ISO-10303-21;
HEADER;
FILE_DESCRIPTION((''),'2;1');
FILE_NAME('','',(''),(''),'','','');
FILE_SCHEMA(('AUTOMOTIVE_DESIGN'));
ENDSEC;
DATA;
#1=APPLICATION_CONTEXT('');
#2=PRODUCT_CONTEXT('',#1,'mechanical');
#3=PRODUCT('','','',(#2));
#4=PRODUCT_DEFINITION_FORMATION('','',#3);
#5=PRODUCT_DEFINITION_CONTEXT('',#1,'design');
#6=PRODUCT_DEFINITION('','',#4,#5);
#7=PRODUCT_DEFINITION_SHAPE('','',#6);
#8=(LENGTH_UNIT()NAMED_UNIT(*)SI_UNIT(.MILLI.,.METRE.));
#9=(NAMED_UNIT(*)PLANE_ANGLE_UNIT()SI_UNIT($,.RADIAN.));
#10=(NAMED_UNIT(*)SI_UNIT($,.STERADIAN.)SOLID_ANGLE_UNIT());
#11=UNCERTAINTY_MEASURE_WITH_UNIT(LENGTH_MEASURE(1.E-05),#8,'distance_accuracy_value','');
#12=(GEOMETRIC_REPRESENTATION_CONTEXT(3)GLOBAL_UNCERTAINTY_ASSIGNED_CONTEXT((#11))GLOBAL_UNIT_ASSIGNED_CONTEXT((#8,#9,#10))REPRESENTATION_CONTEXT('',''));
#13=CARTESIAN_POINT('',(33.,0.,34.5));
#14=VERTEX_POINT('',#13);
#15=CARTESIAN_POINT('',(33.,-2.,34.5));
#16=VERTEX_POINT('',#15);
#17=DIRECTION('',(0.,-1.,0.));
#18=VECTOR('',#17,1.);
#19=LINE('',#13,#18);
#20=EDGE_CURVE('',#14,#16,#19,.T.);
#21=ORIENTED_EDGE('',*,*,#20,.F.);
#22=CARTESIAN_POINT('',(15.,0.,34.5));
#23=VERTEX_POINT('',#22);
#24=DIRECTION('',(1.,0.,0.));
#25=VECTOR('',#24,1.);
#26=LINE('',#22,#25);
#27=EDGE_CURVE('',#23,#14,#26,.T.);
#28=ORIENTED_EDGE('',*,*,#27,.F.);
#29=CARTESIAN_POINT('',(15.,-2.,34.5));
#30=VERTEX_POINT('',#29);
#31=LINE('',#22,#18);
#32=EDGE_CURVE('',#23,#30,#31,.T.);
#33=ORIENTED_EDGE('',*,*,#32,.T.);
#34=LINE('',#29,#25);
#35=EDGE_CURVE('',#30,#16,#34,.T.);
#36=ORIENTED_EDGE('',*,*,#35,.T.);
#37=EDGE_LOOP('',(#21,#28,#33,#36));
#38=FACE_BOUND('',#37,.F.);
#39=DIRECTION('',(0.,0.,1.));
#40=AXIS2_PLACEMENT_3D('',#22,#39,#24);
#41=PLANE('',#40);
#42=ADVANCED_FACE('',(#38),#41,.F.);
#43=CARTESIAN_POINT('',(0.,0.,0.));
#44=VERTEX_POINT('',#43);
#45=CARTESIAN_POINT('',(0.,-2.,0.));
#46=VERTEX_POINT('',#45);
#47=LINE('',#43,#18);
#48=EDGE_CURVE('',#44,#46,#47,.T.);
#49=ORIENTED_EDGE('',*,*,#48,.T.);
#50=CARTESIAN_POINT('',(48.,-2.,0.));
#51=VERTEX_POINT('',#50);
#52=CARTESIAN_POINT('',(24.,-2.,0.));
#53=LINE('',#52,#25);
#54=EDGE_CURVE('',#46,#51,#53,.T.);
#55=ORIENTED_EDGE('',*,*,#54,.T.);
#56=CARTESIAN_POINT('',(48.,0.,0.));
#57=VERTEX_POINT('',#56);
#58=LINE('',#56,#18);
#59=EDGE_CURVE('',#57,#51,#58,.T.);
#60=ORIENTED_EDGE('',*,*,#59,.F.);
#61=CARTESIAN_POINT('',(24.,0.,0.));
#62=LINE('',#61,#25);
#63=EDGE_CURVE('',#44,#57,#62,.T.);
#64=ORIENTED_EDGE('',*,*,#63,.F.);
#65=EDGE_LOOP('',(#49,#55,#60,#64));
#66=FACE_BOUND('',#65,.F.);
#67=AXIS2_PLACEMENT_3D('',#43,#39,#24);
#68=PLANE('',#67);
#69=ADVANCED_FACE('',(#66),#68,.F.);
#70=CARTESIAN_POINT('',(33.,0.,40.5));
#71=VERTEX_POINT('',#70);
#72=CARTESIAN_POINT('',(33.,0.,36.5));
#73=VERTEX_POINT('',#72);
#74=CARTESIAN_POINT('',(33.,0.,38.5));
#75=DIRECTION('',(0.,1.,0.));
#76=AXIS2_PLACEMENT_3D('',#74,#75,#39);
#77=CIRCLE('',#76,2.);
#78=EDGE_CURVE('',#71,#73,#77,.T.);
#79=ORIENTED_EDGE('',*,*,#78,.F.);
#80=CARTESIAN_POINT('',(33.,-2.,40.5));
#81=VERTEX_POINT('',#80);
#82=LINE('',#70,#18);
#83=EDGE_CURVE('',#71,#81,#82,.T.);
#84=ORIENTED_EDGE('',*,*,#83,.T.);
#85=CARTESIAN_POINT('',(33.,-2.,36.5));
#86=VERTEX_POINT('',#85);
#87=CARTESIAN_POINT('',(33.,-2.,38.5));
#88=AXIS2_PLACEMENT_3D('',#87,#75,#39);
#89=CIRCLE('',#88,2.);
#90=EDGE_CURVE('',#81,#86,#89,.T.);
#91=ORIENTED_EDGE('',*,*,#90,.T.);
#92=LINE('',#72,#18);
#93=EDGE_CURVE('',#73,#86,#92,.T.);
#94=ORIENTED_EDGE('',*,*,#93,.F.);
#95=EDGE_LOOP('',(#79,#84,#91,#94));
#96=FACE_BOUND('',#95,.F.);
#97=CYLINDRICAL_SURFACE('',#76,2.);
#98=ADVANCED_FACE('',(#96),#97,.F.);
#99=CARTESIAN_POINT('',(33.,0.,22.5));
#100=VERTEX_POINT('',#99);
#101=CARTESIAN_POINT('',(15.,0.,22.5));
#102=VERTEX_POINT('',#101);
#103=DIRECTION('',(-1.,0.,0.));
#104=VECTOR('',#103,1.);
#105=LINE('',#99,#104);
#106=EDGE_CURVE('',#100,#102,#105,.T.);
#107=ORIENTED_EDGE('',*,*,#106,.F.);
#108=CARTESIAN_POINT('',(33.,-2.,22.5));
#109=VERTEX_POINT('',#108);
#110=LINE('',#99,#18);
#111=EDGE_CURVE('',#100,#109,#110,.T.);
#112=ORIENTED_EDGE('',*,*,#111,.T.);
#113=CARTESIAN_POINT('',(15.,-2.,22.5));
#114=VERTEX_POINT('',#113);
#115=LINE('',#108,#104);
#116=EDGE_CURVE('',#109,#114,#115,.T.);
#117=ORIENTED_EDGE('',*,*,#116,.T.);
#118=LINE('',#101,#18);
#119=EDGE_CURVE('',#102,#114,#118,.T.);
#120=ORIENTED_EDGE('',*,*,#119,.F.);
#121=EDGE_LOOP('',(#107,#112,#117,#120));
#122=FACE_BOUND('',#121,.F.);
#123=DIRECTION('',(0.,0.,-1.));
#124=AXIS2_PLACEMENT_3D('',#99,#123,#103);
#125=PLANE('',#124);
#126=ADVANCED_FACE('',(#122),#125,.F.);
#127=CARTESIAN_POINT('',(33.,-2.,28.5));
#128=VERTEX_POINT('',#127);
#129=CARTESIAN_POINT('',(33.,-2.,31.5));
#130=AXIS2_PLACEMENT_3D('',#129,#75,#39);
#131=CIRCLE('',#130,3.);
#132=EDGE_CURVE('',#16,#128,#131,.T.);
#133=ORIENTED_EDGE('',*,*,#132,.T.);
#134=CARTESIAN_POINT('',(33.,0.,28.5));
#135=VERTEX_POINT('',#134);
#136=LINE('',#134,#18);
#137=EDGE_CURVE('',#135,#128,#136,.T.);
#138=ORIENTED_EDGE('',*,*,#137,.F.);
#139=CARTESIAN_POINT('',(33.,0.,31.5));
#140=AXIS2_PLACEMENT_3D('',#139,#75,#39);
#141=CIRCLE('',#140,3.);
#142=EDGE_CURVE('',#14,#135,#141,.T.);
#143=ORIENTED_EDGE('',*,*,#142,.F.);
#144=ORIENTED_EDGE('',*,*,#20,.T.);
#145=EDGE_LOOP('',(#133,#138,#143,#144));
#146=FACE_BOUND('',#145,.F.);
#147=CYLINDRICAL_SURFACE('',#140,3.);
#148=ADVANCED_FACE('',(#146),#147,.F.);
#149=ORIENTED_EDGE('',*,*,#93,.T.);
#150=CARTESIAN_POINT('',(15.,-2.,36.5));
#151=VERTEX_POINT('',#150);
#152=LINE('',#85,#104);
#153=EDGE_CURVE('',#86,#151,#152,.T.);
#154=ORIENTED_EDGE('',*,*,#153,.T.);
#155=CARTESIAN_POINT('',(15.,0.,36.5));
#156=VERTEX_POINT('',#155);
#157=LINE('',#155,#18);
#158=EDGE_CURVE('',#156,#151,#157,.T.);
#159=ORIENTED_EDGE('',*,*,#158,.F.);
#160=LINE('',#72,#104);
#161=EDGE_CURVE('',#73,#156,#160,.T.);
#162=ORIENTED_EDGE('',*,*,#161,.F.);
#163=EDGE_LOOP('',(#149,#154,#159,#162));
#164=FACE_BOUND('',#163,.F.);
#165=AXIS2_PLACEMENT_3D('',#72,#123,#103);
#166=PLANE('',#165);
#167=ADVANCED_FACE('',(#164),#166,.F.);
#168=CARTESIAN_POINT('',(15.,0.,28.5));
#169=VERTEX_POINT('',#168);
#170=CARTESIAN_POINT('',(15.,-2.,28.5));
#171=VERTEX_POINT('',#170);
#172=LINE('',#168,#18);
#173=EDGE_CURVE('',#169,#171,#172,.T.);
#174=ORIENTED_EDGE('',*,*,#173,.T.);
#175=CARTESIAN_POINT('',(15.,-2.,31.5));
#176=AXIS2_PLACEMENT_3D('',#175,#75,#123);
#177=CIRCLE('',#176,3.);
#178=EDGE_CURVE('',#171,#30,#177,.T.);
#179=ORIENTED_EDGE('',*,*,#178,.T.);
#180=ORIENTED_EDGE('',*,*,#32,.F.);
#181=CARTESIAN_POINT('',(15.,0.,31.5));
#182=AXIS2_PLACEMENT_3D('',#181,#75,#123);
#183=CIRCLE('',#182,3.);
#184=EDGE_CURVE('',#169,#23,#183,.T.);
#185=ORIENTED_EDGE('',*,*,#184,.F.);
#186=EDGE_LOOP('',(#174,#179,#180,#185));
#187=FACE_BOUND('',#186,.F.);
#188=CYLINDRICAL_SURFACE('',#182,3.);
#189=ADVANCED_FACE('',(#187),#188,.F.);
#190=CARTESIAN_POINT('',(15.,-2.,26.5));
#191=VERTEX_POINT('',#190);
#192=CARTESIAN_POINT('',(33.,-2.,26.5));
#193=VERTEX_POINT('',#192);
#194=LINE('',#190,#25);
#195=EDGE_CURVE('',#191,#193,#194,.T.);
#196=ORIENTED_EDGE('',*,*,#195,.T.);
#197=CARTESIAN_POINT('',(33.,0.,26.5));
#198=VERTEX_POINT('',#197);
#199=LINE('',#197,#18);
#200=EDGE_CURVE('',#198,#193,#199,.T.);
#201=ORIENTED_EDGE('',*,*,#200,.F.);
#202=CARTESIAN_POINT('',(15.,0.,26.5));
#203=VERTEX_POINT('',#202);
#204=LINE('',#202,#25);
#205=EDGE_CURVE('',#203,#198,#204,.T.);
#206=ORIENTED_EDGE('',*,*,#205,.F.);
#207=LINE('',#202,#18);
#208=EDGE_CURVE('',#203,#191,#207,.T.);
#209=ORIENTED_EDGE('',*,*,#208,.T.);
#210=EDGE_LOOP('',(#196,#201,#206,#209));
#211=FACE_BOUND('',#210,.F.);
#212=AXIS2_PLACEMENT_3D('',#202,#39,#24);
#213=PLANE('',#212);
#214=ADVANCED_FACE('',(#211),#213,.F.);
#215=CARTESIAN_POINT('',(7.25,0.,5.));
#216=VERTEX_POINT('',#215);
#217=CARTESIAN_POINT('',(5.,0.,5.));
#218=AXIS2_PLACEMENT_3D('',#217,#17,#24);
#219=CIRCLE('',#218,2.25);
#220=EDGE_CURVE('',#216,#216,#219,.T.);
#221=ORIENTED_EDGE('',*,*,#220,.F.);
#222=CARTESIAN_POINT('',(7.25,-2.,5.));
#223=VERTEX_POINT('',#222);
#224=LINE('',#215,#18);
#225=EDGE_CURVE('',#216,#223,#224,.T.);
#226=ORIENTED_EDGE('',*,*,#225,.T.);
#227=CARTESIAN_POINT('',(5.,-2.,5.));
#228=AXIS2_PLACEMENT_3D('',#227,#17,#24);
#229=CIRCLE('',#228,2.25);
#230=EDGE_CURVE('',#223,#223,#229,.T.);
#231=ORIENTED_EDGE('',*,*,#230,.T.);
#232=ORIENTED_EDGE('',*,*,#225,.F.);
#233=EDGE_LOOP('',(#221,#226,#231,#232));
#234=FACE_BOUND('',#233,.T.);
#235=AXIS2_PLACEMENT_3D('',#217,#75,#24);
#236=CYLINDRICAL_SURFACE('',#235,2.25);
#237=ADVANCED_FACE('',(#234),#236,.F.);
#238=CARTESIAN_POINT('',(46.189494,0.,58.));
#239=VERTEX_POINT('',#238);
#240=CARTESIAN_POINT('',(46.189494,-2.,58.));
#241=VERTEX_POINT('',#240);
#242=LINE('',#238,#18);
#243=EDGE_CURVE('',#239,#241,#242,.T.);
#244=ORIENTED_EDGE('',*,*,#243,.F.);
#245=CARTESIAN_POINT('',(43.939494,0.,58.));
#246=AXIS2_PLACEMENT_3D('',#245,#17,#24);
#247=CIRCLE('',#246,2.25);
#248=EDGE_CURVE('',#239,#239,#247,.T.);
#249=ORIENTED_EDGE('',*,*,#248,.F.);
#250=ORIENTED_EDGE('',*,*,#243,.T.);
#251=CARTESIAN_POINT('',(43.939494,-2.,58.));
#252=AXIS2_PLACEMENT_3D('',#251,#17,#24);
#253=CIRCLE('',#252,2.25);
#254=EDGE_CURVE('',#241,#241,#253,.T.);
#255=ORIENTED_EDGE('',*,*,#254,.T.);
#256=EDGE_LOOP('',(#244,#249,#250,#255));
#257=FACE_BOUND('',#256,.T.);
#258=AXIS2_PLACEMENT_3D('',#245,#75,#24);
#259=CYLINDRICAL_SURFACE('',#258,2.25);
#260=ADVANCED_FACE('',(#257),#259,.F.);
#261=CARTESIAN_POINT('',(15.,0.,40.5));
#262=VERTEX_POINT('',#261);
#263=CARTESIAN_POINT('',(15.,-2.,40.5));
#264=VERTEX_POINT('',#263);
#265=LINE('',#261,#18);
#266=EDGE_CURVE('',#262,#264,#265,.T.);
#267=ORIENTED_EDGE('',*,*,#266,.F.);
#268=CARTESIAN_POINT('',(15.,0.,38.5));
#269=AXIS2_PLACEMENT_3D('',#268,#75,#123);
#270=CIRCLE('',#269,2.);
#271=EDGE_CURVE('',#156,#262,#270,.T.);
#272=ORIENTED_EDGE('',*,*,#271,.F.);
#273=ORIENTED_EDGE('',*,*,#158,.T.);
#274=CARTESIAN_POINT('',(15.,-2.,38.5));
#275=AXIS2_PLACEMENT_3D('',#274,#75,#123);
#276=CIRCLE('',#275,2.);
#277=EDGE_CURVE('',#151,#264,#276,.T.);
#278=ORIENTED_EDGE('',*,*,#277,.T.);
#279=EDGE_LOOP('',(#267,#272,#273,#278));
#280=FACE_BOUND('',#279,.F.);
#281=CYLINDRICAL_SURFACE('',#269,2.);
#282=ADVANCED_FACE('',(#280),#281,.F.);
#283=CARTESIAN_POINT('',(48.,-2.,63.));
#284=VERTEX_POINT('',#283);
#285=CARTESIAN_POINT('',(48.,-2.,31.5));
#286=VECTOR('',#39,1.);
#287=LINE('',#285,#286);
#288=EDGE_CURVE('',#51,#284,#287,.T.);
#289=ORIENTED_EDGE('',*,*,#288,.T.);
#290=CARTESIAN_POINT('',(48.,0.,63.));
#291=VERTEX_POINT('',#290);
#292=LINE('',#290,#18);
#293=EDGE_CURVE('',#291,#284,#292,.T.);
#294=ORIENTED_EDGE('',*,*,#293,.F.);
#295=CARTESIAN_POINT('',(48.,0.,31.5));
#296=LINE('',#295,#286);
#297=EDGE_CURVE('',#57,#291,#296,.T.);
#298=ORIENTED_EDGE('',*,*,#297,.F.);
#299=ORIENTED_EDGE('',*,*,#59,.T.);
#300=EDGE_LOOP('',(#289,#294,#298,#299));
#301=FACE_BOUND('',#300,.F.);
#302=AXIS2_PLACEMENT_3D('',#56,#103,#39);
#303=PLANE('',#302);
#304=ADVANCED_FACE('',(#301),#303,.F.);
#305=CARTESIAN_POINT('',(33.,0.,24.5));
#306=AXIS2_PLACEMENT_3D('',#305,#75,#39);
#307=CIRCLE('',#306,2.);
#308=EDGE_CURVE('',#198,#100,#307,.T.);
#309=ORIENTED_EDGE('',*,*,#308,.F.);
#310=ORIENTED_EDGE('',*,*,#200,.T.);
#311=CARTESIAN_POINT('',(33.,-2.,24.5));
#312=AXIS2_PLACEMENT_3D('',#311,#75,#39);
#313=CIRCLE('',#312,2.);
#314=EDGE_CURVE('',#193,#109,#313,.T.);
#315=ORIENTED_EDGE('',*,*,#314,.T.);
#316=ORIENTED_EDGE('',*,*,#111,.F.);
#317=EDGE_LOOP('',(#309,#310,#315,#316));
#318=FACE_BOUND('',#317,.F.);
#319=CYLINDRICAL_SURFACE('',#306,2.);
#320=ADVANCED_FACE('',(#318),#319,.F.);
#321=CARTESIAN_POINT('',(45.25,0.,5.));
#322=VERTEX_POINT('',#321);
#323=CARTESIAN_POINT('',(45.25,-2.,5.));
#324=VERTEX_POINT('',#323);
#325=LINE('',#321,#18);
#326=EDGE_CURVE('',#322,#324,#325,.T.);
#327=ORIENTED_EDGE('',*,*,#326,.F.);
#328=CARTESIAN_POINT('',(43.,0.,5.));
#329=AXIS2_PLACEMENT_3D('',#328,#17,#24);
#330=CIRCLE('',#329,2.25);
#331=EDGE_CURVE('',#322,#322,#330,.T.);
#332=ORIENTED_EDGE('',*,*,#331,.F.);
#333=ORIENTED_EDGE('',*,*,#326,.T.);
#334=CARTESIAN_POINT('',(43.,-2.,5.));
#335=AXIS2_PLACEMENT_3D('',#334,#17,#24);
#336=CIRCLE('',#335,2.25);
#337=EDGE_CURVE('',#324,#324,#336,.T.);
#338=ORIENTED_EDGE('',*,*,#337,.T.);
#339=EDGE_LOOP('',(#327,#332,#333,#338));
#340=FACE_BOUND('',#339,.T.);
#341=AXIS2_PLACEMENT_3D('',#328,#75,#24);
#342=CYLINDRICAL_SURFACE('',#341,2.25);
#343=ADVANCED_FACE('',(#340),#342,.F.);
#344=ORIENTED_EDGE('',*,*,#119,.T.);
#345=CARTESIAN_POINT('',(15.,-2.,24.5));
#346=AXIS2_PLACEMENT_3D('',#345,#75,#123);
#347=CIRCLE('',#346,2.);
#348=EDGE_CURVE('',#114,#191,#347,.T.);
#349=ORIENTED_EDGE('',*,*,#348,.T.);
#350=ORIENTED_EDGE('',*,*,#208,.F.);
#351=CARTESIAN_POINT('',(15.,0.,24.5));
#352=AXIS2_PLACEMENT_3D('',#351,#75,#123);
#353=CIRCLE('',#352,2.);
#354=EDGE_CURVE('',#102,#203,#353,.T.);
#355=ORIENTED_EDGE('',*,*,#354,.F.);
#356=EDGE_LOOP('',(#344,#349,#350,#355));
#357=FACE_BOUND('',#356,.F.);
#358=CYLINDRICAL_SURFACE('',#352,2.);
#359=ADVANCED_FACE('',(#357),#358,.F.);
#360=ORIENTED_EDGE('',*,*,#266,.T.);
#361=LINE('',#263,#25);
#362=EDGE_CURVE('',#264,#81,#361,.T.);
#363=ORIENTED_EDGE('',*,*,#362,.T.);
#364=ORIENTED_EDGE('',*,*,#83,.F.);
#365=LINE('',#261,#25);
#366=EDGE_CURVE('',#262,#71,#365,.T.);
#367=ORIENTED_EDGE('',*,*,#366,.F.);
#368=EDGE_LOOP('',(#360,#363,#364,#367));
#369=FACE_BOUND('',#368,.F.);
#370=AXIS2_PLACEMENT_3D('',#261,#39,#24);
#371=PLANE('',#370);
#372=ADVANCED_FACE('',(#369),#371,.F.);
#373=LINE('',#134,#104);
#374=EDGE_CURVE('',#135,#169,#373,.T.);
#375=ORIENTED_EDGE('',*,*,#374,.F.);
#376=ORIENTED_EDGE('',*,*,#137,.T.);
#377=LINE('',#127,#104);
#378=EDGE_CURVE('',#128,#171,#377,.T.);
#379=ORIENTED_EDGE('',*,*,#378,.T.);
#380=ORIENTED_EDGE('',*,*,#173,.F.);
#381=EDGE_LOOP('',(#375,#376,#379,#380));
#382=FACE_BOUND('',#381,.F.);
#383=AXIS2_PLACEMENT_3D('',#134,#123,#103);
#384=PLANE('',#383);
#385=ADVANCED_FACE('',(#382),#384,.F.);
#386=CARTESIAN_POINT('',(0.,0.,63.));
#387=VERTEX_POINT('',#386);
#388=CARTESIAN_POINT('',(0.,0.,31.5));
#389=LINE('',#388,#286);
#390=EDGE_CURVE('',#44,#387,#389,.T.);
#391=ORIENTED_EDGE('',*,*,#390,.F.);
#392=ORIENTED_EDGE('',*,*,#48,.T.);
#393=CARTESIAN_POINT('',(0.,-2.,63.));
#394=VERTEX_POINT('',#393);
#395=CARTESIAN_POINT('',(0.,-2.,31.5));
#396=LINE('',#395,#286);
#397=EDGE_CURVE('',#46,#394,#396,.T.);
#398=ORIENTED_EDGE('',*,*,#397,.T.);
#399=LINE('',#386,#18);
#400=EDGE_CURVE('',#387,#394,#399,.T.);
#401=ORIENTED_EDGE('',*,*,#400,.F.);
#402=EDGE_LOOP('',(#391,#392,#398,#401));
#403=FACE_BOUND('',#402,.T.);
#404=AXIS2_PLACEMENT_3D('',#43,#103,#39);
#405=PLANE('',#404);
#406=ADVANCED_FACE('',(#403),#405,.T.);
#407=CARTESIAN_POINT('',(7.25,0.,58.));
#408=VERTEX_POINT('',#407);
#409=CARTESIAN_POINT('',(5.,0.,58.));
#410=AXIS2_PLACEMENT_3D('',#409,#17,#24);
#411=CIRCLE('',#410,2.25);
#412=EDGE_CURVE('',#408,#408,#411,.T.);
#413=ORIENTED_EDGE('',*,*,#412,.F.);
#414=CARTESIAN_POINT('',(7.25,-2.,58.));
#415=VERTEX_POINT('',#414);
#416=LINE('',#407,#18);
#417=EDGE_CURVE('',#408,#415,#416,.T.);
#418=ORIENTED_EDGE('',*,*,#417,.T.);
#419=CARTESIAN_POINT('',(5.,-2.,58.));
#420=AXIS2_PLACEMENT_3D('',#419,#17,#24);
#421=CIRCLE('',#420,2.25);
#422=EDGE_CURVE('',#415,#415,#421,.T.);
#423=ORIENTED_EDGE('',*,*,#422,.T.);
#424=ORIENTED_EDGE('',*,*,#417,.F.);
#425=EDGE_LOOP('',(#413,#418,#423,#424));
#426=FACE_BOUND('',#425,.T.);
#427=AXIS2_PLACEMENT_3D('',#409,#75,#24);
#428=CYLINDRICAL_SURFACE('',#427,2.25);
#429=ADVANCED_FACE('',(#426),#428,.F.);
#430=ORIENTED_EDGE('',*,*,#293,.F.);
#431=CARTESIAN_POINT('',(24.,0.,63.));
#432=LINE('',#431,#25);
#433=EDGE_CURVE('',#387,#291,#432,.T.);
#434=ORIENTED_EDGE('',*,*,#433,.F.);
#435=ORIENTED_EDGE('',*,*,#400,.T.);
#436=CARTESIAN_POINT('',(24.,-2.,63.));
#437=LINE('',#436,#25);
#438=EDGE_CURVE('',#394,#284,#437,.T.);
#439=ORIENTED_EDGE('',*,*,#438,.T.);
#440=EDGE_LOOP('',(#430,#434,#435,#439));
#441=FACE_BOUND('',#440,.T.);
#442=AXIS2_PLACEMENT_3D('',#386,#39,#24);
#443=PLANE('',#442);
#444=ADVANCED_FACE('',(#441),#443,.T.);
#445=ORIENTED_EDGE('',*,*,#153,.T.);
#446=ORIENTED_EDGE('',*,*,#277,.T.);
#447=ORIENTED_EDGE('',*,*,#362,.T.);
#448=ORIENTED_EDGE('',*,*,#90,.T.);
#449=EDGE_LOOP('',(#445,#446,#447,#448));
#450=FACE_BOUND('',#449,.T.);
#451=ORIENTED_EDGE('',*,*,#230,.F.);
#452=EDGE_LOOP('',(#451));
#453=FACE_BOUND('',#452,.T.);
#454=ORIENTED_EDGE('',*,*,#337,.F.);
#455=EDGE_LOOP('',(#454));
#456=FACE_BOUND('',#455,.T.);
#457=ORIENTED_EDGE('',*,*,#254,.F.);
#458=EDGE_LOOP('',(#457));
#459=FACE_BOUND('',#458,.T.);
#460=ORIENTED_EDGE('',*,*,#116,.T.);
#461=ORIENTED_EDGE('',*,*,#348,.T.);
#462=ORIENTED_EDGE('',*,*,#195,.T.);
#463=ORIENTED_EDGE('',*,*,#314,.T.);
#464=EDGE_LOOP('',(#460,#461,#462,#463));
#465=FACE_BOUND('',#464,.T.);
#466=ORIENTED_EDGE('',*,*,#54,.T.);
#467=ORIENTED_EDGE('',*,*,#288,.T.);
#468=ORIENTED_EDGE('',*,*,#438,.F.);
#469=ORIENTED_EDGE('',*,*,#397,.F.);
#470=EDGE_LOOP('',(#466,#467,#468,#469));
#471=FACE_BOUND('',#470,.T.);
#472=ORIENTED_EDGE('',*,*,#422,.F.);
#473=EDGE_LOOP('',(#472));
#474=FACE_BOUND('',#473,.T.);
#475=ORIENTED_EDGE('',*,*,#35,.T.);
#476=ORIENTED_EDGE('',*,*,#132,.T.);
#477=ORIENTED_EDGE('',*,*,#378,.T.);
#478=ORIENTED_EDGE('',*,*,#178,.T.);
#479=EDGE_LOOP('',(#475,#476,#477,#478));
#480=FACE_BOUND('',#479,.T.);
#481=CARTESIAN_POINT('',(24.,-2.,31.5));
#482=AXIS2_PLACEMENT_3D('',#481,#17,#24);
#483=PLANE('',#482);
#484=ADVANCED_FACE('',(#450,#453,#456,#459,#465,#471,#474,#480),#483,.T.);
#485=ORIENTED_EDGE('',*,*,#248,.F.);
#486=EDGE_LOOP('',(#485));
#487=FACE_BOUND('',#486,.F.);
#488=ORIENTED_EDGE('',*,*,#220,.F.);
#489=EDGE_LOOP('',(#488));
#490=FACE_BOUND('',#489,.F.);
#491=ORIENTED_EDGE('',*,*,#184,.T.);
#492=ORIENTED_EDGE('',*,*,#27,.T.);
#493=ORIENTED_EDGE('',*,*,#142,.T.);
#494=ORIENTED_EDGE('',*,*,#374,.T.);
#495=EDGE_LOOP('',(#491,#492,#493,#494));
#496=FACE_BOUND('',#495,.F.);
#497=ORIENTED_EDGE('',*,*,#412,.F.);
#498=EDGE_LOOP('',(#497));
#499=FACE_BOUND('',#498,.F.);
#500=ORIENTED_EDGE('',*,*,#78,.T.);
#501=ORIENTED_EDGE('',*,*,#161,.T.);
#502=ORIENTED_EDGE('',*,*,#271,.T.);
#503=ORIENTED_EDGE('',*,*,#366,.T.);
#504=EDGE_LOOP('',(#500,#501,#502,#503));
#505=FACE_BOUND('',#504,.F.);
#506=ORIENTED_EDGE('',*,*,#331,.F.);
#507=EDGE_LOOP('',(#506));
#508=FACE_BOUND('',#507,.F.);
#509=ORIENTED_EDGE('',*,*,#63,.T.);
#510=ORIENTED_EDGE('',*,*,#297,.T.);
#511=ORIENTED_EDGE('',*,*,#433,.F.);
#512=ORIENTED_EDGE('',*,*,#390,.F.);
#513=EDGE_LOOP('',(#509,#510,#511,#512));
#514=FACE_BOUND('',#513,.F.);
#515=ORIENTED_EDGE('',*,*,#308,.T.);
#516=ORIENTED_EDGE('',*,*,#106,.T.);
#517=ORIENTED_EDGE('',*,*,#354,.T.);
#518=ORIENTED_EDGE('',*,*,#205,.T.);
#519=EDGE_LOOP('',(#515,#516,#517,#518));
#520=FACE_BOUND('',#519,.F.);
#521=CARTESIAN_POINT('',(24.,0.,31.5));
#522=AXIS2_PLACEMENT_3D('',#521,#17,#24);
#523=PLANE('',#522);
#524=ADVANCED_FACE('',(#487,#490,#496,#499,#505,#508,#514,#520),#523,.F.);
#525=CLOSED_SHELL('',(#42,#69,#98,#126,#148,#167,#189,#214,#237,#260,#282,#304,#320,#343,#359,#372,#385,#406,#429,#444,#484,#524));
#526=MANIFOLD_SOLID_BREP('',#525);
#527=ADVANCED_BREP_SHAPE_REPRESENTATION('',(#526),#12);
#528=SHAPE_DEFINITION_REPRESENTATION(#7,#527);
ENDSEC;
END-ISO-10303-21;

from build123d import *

# Parameters (mm, degrees)
F0_W     = 48
F0_H     = 63
F0_R     = 2.25
F1_DEPTH = 2


with BuildPart() as f1:
    # F0 (on Front) → F1 (new body)
    with BuildSketch(Plane.XZ):
        with Locations((24, 31.5)):
            Rectangle(F0_W, F0_H)
        with Locations((5, 5)):
            Circle(F0_R, mode=Mode.SUBTRACT)
        with Locations((43, 5)):
            Circle(F0_R, mode=Mode.SUBTRACT)
        with BuildLine():
            ThreePointArc((15, 22.5), (13, 24.5), (15, 26.5))
            Line((15, 26.5), (33, 26.5))
            ThreePointArc((33, 26.5), (35, 24.5), (33, 22.5))
            Line((33, 22.5), (15, 22.5))
        make_face(mode=Mode.SUBTRACT)
        with Locations((5, 58)):
            Circle(F0_R, mode=Mode.SUBTRACT)
        with BuildLine():
            ThreePointArc((15, 28.5), (12, 31.5), (15, 34.5))
            Line((15, 34.5), (33, 34.5))
            ThreePointArc((33, 34.5), (36, 31.5), (33, 28.5))
            Line((33, 28.5), (15, 28.5))
        make_face(mode=Mode.SUBTRACT)
        with BuildLine():
            ThreePointArc((15, 36.5), (13, 38.5), (15, 40.5))
            Line((15, 40.5), (33, 40.5))
            ThreePointArc((33, 40.5), (35, 38.5), (33, 36.5))
            Line((33, 36.5), (15, 36.5))
        make_face(mode=Mode.SUBTRACT)
        with Locations((43.939494, 58)):
            Circle(F0_R, mode=Mode.SUBTRACT)
    extrude(amount=F1_DEPTH)


solid = f1.part
